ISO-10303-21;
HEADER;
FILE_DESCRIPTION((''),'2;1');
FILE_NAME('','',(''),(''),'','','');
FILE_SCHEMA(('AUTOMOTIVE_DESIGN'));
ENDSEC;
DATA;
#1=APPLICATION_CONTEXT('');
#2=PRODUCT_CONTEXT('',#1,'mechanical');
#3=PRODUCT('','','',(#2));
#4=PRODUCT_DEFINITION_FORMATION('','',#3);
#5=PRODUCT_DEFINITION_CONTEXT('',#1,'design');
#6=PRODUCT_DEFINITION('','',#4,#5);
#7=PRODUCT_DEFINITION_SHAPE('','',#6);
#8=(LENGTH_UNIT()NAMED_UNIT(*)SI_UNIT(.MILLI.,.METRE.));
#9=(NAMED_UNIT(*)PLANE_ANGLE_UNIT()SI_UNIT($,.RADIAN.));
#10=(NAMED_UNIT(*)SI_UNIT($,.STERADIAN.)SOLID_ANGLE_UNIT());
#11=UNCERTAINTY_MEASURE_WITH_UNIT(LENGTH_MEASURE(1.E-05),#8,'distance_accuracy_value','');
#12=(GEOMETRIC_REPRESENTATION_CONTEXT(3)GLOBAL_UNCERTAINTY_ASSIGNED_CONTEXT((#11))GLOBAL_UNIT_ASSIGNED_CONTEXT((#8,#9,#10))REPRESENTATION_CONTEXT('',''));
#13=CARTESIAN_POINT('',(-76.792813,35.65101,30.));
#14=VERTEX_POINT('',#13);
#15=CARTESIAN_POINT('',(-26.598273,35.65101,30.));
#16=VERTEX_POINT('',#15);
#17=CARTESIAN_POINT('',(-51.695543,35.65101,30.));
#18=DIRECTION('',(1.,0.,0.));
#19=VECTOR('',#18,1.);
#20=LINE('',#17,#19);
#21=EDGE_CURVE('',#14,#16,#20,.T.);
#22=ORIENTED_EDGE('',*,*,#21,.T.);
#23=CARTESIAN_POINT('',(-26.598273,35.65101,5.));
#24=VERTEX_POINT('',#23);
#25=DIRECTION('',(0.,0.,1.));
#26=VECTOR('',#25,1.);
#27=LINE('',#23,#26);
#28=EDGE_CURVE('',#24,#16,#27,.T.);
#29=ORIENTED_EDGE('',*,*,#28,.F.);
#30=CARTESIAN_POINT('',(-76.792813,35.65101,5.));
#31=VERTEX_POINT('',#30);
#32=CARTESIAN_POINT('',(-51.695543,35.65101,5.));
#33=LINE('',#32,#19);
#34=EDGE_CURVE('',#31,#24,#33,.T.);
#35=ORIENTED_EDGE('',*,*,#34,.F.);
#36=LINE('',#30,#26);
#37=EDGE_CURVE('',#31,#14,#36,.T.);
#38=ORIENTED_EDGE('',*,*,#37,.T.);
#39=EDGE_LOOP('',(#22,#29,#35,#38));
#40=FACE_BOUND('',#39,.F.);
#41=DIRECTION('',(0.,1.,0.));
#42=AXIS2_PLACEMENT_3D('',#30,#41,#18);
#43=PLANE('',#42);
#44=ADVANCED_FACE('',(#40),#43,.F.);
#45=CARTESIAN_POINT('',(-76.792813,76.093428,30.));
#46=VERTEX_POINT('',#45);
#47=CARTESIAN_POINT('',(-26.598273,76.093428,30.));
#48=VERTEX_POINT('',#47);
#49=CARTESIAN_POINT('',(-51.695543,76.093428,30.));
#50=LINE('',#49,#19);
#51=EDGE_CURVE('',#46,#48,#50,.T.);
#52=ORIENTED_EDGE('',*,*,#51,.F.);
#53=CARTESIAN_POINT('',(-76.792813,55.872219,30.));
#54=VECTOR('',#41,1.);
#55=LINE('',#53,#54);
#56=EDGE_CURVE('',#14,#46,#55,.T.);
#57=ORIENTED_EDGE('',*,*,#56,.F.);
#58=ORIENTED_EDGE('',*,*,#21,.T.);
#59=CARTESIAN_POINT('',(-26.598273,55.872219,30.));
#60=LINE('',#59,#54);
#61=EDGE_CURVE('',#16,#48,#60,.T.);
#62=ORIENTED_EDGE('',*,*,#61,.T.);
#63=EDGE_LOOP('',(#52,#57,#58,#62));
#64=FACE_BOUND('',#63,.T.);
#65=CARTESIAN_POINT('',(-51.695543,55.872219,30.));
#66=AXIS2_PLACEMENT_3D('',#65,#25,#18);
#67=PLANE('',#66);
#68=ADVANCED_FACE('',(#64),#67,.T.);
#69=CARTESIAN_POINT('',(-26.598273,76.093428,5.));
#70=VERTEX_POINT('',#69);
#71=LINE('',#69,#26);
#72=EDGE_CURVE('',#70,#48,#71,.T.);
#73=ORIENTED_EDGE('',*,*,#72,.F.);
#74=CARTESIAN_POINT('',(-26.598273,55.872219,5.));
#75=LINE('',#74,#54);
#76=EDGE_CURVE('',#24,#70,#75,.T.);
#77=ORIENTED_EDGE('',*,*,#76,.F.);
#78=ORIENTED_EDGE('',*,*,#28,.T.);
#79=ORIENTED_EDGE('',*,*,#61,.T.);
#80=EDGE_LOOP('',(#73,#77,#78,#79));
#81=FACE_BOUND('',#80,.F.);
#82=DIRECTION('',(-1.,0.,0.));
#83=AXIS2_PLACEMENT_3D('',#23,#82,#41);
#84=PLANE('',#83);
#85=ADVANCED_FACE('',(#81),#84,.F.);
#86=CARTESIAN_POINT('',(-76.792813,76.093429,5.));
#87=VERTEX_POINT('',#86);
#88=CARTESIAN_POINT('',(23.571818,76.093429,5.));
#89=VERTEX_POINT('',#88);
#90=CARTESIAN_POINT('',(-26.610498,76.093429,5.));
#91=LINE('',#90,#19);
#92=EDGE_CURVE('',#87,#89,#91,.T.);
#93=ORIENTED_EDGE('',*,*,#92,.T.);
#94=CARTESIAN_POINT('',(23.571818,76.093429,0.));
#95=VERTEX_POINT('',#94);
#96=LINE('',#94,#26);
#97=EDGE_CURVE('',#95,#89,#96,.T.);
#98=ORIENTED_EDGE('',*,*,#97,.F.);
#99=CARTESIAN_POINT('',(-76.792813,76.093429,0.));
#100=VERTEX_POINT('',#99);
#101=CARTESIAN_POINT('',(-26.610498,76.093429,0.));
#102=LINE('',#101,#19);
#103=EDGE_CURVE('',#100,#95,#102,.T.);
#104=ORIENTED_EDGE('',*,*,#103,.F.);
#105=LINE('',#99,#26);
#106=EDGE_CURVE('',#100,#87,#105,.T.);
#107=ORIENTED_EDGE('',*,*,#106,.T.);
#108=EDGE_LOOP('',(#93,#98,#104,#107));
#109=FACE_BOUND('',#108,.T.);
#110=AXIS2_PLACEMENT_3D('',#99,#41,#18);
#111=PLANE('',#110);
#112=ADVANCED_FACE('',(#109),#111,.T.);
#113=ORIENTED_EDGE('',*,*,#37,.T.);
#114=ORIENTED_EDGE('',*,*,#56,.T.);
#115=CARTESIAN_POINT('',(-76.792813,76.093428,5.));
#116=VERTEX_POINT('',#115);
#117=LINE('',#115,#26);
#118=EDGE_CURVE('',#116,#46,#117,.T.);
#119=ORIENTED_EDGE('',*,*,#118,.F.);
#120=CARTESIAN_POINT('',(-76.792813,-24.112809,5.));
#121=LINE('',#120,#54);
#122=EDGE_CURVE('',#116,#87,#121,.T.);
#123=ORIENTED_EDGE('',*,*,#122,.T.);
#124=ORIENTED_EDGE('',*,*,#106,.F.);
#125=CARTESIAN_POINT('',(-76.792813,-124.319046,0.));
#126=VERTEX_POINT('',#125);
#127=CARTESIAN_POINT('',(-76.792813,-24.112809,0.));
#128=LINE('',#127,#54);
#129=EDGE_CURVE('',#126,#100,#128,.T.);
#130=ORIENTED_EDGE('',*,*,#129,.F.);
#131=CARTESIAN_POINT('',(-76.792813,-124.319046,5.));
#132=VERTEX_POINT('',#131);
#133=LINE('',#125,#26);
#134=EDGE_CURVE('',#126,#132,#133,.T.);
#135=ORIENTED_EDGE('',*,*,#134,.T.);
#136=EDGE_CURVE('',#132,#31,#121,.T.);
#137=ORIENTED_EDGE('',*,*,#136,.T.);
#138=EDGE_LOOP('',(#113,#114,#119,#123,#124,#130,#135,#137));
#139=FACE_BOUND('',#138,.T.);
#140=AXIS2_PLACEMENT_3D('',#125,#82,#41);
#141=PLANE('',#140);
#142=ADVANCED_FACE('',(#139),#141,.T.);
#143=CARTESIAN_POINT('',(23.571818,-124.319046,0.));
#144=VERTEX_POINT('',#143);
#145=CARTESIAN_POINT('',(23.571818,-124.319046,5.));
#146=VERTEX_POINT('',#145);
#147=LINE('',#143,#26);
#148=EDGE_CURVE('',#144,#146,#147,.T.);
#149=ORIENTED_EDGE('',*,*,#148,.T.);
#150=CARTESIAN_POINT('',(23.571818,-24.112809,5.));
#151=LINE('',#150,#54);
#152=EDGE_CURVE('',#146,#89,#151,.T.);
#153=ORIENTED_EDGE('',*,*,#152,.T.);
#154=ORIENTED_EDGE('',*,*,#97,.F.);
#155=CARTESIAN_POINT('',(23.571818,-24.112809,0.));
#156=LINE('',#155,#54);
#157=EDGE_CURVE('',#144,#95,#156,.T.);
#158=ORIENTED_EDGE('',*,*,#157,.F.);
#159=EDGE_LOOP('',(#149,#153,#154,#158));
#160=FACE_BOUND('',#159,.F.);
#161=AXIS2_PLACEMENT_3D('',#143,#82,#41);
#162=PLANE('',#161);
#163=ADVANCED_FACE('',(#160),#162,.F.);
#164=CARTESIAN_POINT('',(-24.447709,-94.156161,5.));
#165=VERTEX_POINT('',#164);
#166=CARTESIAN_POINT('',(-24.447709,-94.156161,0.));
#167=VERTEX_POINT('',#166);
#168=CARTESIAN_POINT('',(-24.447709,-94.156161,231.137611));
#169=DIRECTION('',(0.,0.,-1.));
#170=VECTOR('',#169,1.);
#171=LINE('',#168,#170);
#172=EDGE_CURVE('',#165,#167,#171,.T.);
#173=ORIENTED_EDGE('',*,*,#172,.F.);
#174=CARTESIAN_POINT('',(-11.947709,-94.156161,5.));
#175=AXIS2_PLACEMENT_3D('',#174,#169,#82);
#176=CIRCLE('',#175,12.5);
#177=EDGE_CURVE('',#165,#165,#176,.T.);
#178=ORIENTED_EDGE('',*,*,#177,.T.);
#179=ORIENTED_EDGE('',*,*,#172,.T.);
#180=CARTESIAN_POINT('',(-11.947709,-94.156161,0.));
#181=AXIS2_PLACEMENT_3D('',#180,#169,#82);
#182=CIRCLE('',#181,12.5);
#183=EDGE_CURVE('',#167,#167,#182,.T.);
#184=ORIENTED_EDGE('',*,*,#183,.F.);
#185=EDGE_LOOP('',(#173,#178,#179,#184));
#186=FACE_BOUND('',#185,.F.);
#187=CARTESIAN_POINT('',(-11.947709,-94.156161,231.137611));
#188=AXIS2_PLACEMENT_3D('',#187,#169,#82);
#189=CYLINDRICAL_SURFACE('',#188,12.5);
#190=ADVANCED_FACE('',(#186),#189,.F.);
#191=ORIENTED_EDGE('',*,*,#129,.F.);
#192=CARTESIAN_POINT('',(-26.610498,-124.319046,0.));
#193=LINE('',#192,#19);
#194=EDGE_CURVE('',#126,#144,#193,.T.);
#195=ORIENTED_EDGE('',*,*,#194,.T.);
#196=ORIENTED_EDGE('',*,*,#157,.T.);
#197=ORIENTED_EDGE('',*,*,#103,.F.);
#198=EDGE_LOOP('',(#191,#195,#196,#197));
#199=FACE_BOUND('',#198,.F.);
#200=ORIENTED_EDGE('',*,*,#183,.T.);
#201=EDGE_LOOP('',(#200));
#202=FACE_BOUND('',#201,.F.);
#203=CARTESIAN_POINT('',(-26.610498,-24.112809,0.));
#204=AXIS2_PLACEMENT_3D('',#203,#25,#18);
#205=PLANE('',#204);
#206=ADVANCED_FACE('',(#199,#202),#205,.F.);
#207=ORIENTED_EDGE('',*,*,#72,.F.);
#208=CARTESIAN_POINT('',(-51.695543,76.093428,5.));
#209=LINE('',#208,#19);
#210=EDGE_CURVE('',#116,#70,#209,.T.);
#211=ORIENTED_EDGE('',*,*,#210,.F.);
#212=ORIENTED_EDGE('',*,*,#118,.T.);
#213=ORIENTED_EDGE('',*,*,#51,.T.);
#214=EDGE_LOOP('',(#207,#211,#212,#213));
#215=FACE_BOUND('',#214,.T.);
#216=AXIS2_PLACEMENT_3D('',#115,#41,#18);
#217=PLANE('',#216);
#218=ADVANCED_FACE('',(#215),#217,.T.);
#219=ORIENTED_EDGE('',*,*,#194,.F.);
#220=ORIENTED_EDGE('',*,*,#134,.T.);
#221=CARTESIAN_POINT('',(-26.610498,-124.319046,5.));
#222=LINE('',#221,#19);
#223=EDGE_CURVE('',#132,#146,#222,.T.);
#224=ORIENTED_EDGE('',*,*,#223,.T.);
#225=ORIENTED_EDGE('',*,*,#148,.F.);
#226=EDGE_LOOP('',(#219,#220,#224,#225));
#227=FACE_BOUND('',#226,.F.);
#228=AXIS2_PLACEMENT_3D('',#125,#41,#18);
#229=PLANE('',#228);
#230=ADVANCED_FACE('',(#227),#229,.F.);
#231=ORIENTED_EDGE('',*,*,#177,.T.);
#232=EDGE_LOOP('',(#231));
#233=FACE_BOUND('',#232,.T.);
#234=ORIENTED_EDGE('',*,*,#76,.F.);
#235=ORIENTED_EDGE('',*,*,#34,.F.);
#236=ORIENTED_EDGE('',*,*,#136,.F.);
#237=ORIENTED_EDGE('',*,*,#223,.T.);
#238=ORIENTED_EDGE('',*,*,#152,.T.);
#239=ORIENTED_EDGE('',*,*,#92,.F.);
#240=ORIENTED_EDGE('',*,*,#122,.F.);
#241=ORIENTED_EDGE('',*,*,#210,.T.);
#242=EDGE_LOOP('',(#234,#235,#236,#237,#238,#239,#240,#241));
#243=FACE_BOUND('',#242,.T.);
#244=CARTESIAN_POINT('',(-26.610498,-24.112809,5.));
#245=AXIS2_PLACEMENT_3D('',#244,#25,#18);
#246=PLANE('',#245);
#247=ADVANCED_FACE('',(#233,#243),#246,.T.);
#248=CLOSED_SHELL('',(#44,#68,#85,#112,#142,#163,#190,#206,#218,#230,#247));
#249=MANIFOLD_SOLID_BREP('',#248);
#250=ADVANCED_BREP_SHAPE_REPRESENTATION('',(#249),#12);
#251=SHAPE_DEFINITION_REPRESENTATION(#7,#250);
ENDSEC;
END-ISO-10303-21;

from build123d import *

# Parameters (mm, degrees)
F0_W     = 100.364631
F0_H     = 200.412475
F1_DEPTH = 5
F2_W     = 50.194541
F2_H     = 40.442418
F3_DEPTH = 25
F5_D     = 25


with BuildPart() as f1:
    # F0 (on Top) → F1 (new body)
    with BuildSketch(Plane.XY):
        with Locations((-26.610498, -24.112809)):
            Rectangle(F0_W, F0_H)
    extrude(amount=F1_DEPTH)

    # F2 (on face) → F3 (join)
    with BuildSketch(Plane.XY.offset(5)):
        with Locations((-51.695543, 55.872219)):
            Rectangle(F2_W, F2_H)
    extrude(amount=F3_DEPTH)

    # F5 (through all)
    with Locations(Plane.XY.offset(5)):
        with Locations((-11.947709, -94.156161)):
            Hole(F5_D / 2)


solid = f1.part
